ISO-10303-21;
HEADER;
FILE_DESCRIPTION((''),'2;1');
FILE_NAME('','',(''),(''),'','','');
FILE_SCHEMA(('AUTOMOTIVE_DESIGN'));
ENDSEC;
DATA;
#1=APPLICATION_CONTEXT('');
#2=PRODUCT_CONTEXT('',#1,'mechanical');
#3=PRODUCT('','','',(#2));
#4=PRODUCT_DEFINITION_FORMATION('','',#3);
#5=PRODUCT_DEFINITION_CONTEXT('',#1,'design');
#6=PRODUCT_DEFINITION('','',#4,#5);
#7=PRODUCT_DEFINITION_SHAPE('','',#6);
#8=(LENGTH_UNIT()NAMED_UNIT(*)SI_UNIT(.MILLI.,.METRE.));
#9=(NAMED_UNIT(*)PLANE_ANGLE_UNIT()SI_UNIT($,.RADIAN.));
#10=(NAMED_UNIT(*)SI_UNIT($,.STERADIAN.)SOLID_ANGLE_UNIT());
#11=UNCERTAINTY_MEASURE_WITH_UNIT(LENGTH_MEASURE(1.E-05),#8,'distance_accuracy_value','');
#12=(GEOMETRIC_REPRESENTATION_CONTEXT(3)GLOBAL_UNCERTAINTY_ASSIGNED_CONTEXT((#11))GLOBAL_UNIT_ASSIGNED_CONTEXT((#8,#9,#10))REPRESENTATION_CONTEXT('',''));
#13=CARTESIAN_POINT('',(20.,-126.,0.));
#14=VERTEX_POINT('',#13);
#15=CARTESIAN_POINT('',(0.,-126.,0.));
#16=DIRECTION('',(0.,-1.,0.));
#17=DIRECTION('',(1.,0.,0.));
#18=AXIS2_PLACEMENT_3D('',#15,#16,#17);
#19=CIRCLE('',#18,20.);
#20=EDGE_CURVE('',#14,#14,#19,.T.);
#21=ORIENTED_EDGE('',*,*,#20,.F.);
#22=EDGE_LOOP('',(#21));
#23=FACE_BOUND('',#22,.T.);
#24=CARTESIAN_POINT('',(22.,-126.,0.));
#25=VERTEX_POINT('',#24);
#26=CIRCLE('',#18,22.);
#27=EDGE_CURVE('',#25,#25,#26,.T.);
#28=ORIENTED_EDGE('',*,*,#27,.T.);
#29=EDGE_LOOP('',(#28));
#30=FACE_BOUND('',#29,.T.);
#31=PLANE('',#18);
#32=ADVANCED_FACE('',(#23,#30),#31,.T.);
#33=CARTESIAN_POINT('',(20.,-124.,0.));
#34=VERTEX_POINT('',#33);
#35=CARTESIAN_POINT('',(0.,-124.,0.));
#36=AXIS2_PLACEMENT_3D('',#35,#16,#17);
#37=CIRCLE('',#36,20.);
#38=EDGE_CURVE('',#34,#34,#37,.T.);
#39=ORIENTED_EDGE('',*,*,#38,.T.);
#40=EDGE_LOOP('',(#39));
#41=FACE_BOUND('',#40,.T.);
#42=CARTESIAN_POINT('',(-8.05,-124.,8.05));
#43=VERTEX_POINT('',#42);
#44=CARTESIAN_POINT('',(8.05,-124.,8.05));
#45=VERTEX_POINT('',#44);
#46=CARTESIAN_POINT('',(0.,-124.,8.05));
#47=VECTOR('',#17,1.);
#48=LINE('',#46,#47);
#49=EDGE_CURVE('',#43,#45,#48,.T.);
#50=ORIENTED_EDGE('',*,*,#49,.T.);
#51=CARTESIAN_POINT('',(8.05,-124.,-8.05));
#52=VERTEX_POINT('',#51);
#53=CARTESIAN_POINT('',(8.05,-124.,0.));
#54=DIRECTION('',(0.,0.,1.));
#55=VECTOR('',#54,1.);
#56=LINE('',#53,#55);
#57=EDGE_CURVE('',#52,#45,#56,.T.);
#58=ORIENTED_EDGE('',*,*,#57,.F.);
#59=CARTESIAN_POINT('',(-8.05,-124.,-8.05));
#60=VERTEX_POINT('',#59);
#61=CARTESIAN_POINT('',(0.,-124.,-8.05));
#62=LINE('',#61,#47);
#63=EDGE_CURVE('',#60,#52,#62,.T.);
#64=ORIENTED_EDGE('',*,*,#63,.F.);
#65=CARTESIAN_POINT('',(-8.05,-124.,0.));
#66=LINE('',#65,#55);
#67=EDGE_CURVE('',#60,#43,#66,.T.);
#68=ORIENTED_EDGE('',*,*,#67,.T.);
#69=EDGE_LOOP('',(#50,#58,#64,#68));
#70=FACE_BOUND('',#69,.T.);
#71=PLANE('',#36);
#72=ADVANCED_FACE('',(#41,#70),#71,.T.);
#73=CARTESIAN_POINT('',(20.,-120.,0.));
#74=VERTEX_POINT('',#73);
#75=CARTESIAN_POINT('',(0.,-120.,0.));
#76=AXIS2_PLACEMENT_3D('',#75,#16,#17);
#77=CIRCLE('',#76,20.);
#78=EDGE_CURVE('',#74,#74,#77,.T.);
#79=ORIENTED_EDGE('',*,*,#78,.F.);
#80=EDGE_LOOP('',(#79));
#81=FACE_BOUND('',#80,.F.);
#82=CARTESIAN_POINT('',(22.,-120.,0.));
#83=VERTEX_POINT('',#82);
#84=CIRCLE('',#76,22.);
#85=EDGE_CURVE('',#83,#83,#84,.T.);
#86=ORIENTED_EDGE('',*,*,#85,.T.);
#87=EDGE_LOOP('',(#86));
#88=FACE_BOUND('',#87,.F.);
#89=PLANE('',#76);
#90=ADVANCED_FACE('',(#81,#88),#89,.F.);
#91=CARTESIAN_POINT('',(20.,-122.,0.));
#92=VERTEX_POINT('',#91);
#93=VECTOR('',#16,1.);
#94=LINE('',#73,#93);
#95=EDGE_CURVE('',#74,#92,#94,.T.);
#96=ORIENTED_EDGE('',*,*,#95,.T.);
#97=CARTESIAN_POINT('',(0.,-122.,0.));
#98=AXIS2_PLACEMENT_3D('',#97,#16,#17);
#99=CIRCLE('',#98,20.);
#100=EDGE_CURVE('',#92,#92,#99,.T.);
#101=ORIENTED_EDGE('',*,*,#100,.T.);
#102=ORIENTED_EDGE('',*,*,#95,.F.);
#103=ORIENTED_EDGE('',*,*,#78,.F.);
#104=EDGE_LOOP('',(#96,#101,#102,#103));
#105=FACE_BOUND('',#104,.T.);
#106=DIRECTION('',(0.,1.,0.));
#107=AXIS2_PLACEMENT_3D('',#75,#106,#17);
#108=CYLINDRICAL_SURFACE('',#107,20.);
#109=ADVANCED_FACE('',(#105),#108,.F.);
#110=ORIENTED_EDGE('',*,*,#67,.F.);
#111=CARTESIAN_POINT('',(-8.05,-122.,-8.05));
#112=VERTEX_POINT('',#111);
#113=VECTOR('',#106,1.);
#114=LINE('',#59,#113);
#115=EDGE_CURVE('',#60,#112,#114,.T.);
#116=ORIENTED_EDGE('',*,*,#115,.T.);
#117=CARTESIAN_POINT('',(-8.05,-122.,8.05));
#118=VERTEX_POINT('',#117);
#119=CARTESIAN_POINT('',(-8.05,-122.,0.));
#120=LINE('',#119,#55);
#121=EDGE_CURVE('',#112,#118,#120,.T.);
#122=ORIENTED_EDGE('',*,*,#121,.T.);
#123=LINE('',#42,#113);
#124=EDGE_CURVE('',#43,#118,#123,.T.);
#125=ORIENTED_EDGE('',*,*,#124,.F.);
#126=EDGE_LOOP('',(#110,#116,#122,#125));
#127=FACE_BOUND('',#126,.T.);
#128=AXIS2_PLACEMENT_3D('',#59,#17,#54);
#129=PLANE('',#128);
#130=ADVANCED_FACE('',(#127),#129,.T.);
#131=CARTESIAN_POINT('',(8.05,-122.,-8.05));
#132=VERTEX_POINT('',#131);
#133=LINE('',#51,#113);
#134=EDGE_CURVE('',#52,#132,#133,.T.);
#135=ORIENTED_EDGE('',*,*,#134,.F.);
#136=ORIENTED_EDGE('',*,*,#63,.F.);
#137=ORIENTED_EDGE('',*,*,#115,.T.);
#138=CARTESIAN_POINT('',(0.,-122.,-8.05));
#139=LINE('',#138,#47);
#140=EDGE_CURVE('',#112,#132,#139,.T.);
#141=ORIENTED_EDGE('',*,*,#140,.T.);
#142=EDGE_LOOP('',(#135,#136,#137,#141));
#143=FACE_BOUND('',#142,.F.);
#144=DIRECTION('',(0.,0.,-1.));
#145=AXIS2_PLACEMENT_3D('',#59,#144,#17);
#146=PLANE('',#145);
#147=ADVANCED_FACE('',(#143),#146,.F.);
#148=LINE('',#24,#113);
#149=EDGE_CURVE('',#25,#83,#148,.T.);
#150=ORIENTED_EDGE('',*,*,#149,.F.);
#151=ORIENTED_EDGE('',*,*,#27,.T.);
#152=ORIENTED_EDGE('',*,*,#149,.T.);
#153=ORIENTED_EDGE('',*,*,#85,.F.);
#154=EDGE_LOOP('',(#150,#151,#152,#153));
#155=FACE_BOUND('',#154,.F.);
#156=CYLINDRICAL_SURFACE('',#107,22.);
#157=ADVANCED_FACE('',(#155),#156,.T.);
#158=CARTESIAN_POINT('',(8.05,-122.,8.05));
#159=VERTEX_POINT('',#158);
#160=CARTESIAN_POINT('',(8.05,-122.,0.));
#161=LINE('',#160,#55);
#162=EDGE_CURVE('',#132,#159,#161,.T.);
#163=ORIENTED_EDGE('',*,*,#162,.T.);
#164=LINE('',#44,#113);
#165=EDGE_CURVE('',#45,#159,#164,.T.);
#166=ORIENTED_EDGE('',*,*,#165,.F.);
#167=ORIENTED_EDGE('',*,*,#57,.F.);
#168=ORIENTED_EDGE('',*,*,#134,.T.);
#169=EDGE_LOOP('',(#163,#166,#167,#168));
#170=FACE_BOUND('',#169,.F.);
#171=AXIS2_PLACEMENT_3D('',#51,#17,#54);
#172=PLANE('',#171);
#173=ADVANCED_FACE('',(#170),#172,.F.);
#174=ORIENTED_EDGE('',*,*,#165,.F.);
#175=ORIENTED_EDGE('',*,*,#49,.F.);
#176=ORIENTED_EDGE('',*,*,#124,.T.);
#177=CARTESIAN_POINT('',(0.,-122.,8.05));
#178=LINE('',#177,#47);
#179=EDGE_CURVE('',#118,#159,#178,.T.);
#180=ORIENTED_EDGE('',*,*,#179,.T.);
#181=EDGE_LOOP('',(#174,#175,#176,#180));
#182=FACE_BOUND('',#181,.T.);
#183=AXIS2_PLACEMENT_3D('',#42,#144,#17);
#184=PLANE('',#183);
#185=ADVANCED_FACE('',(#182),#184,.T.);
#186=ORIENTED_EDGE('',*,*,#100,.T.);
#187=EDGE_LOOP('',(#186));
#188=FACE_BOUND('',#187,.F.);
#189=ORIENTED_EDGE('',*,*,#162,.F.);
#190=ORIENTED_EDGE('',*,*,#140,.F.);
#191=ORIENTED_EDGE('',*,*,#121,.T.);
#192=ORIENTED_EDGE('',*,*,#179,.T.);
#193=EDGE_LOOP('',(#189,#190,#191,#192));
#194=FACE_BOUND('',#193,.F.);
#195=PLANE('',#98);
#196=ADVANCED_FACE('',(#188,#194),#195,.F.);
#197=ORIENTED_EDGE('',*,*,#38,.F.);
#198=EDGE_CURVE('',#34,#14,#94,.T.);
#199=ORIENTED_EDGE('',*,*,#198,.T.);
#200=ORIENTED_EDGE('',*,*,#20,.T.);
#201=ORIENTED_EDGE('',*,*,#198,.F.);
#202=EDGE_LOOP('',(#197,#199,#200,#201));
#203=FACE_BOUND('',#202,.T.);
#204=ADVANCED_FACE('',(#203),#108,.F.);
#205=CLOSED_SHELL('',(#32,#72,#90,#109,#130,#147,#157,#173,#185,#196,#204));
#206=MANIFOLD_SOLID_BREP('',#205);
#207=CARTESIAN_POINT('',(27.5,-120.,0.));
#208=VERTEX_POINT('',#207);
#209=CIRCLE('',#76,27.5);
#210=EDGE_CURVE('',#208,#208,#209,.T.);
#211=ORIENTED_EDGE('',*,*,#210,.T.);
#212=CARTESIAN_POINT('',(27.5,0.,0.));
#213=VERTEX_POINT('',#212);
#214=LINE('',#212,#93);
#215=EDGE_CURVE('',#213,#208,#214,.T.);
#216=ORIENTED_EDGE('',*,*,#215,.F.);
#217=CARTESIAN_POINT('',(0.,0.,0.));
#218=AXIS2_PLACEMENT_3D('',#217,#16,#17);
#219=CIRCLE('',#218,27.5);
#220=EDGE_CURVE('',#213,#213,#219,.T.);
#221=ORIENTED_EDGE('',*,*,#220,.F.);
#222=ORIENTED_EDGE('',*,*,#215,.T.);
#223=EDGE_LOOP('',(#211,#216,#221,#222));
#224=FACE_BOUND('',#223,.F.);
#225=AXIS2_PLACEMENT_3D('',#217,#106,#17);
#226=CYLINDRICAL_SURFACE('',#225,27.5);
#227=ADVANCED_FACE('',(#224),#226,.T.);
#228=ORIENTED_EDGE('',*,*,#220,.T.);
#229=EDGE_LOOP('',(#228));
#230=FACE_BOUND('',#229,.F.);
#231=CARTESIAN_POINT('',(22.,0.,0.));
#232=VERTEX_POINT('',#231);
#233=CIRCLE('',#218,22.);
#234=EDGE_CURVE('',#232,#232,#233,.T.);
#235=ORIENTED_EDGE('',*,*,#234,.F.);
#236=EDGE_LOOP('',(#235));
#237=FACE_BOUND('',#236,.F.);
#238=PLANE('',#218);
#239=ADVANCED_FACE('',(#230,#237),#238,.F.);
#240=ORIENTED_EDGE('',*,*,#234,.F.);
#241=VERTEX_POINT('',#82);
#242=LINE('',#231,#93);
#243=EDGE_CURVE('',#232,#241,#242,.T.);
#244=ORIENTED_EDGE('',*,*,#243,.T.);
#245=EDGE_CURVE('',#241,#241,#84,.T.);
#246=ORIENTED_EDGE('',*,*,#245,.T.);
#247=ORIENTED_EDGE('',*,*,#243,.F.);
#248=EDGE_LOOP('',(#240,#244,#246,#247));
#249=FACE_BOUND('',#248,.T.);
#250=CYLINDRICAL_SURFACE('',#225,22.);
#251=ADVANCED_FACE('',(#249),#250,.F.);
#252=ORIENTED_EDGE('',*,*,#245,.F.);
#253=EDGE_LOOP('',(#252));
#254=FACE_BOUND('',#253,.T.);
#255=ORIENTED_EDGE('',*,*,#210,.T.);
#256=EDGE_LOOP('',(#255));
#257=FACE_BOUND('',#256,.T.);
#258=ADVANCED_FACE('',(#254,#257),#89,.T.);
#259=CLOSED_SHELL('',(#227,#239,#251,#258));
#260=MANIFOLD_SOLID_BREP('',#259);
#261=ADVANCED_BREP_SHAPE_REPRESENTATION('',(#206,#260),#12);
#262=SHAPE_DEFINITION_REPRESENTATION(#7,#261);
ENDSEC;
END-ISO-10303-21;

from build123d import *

# Parameters (mm, degrees)
F1_R     = 27.5
F1_R_2   = 22
F2_DEPTH = 120
F3_R     = 22
F3_R_2   = 20
F4_DEPTH = 6
F6_DEPTH = 2
F7_R     = 20
F7_W     = 16.1
F7_H     = 16.1
F8_DEPTH = 2


with BuildPart() as f2:
    # F1 (on Front) → F2 (new body)
    with BuildSketch(Plane.XZ):
        Circle(F1_R)
        Circle(F1_R_2, mode=Mode.SUBTRACT)
    extrude(amount=F2_DEPTH)



with BuildPart() as f4:
    # F3 (on face) → F4 (new body)
    with BuildSketch(Plane.XZ.offset(120)):
        Circle(F3_R)
        Circle(F3_R_2, mode=Mode.SUBTRACT)
    extrude(amount=F4_DEPTH)


with BuildPart() as f2_1:
    add(f2.part)

    add(f4.part)  # F6 merges F4
    # F3 (on face) → F6 (join)
    with BuildSketch(Plane.XZ.offset(120)):
        Circle(F3_R)
        Circle(F3_R_2, mode=Mode.SUBTRACT)
    extrude(amount=F6_DEPTH)

    # F7 (on offset) → F8 (join)
    with BuildSketch(Plane.XZ.offset(124)):
        Circle(F7_R)
        Rectangle(F7_W, F7_H, mode=Mode.SUBTRACT)
    extrude(amount=-F8_DEPTH)


solid = f2_1.part
